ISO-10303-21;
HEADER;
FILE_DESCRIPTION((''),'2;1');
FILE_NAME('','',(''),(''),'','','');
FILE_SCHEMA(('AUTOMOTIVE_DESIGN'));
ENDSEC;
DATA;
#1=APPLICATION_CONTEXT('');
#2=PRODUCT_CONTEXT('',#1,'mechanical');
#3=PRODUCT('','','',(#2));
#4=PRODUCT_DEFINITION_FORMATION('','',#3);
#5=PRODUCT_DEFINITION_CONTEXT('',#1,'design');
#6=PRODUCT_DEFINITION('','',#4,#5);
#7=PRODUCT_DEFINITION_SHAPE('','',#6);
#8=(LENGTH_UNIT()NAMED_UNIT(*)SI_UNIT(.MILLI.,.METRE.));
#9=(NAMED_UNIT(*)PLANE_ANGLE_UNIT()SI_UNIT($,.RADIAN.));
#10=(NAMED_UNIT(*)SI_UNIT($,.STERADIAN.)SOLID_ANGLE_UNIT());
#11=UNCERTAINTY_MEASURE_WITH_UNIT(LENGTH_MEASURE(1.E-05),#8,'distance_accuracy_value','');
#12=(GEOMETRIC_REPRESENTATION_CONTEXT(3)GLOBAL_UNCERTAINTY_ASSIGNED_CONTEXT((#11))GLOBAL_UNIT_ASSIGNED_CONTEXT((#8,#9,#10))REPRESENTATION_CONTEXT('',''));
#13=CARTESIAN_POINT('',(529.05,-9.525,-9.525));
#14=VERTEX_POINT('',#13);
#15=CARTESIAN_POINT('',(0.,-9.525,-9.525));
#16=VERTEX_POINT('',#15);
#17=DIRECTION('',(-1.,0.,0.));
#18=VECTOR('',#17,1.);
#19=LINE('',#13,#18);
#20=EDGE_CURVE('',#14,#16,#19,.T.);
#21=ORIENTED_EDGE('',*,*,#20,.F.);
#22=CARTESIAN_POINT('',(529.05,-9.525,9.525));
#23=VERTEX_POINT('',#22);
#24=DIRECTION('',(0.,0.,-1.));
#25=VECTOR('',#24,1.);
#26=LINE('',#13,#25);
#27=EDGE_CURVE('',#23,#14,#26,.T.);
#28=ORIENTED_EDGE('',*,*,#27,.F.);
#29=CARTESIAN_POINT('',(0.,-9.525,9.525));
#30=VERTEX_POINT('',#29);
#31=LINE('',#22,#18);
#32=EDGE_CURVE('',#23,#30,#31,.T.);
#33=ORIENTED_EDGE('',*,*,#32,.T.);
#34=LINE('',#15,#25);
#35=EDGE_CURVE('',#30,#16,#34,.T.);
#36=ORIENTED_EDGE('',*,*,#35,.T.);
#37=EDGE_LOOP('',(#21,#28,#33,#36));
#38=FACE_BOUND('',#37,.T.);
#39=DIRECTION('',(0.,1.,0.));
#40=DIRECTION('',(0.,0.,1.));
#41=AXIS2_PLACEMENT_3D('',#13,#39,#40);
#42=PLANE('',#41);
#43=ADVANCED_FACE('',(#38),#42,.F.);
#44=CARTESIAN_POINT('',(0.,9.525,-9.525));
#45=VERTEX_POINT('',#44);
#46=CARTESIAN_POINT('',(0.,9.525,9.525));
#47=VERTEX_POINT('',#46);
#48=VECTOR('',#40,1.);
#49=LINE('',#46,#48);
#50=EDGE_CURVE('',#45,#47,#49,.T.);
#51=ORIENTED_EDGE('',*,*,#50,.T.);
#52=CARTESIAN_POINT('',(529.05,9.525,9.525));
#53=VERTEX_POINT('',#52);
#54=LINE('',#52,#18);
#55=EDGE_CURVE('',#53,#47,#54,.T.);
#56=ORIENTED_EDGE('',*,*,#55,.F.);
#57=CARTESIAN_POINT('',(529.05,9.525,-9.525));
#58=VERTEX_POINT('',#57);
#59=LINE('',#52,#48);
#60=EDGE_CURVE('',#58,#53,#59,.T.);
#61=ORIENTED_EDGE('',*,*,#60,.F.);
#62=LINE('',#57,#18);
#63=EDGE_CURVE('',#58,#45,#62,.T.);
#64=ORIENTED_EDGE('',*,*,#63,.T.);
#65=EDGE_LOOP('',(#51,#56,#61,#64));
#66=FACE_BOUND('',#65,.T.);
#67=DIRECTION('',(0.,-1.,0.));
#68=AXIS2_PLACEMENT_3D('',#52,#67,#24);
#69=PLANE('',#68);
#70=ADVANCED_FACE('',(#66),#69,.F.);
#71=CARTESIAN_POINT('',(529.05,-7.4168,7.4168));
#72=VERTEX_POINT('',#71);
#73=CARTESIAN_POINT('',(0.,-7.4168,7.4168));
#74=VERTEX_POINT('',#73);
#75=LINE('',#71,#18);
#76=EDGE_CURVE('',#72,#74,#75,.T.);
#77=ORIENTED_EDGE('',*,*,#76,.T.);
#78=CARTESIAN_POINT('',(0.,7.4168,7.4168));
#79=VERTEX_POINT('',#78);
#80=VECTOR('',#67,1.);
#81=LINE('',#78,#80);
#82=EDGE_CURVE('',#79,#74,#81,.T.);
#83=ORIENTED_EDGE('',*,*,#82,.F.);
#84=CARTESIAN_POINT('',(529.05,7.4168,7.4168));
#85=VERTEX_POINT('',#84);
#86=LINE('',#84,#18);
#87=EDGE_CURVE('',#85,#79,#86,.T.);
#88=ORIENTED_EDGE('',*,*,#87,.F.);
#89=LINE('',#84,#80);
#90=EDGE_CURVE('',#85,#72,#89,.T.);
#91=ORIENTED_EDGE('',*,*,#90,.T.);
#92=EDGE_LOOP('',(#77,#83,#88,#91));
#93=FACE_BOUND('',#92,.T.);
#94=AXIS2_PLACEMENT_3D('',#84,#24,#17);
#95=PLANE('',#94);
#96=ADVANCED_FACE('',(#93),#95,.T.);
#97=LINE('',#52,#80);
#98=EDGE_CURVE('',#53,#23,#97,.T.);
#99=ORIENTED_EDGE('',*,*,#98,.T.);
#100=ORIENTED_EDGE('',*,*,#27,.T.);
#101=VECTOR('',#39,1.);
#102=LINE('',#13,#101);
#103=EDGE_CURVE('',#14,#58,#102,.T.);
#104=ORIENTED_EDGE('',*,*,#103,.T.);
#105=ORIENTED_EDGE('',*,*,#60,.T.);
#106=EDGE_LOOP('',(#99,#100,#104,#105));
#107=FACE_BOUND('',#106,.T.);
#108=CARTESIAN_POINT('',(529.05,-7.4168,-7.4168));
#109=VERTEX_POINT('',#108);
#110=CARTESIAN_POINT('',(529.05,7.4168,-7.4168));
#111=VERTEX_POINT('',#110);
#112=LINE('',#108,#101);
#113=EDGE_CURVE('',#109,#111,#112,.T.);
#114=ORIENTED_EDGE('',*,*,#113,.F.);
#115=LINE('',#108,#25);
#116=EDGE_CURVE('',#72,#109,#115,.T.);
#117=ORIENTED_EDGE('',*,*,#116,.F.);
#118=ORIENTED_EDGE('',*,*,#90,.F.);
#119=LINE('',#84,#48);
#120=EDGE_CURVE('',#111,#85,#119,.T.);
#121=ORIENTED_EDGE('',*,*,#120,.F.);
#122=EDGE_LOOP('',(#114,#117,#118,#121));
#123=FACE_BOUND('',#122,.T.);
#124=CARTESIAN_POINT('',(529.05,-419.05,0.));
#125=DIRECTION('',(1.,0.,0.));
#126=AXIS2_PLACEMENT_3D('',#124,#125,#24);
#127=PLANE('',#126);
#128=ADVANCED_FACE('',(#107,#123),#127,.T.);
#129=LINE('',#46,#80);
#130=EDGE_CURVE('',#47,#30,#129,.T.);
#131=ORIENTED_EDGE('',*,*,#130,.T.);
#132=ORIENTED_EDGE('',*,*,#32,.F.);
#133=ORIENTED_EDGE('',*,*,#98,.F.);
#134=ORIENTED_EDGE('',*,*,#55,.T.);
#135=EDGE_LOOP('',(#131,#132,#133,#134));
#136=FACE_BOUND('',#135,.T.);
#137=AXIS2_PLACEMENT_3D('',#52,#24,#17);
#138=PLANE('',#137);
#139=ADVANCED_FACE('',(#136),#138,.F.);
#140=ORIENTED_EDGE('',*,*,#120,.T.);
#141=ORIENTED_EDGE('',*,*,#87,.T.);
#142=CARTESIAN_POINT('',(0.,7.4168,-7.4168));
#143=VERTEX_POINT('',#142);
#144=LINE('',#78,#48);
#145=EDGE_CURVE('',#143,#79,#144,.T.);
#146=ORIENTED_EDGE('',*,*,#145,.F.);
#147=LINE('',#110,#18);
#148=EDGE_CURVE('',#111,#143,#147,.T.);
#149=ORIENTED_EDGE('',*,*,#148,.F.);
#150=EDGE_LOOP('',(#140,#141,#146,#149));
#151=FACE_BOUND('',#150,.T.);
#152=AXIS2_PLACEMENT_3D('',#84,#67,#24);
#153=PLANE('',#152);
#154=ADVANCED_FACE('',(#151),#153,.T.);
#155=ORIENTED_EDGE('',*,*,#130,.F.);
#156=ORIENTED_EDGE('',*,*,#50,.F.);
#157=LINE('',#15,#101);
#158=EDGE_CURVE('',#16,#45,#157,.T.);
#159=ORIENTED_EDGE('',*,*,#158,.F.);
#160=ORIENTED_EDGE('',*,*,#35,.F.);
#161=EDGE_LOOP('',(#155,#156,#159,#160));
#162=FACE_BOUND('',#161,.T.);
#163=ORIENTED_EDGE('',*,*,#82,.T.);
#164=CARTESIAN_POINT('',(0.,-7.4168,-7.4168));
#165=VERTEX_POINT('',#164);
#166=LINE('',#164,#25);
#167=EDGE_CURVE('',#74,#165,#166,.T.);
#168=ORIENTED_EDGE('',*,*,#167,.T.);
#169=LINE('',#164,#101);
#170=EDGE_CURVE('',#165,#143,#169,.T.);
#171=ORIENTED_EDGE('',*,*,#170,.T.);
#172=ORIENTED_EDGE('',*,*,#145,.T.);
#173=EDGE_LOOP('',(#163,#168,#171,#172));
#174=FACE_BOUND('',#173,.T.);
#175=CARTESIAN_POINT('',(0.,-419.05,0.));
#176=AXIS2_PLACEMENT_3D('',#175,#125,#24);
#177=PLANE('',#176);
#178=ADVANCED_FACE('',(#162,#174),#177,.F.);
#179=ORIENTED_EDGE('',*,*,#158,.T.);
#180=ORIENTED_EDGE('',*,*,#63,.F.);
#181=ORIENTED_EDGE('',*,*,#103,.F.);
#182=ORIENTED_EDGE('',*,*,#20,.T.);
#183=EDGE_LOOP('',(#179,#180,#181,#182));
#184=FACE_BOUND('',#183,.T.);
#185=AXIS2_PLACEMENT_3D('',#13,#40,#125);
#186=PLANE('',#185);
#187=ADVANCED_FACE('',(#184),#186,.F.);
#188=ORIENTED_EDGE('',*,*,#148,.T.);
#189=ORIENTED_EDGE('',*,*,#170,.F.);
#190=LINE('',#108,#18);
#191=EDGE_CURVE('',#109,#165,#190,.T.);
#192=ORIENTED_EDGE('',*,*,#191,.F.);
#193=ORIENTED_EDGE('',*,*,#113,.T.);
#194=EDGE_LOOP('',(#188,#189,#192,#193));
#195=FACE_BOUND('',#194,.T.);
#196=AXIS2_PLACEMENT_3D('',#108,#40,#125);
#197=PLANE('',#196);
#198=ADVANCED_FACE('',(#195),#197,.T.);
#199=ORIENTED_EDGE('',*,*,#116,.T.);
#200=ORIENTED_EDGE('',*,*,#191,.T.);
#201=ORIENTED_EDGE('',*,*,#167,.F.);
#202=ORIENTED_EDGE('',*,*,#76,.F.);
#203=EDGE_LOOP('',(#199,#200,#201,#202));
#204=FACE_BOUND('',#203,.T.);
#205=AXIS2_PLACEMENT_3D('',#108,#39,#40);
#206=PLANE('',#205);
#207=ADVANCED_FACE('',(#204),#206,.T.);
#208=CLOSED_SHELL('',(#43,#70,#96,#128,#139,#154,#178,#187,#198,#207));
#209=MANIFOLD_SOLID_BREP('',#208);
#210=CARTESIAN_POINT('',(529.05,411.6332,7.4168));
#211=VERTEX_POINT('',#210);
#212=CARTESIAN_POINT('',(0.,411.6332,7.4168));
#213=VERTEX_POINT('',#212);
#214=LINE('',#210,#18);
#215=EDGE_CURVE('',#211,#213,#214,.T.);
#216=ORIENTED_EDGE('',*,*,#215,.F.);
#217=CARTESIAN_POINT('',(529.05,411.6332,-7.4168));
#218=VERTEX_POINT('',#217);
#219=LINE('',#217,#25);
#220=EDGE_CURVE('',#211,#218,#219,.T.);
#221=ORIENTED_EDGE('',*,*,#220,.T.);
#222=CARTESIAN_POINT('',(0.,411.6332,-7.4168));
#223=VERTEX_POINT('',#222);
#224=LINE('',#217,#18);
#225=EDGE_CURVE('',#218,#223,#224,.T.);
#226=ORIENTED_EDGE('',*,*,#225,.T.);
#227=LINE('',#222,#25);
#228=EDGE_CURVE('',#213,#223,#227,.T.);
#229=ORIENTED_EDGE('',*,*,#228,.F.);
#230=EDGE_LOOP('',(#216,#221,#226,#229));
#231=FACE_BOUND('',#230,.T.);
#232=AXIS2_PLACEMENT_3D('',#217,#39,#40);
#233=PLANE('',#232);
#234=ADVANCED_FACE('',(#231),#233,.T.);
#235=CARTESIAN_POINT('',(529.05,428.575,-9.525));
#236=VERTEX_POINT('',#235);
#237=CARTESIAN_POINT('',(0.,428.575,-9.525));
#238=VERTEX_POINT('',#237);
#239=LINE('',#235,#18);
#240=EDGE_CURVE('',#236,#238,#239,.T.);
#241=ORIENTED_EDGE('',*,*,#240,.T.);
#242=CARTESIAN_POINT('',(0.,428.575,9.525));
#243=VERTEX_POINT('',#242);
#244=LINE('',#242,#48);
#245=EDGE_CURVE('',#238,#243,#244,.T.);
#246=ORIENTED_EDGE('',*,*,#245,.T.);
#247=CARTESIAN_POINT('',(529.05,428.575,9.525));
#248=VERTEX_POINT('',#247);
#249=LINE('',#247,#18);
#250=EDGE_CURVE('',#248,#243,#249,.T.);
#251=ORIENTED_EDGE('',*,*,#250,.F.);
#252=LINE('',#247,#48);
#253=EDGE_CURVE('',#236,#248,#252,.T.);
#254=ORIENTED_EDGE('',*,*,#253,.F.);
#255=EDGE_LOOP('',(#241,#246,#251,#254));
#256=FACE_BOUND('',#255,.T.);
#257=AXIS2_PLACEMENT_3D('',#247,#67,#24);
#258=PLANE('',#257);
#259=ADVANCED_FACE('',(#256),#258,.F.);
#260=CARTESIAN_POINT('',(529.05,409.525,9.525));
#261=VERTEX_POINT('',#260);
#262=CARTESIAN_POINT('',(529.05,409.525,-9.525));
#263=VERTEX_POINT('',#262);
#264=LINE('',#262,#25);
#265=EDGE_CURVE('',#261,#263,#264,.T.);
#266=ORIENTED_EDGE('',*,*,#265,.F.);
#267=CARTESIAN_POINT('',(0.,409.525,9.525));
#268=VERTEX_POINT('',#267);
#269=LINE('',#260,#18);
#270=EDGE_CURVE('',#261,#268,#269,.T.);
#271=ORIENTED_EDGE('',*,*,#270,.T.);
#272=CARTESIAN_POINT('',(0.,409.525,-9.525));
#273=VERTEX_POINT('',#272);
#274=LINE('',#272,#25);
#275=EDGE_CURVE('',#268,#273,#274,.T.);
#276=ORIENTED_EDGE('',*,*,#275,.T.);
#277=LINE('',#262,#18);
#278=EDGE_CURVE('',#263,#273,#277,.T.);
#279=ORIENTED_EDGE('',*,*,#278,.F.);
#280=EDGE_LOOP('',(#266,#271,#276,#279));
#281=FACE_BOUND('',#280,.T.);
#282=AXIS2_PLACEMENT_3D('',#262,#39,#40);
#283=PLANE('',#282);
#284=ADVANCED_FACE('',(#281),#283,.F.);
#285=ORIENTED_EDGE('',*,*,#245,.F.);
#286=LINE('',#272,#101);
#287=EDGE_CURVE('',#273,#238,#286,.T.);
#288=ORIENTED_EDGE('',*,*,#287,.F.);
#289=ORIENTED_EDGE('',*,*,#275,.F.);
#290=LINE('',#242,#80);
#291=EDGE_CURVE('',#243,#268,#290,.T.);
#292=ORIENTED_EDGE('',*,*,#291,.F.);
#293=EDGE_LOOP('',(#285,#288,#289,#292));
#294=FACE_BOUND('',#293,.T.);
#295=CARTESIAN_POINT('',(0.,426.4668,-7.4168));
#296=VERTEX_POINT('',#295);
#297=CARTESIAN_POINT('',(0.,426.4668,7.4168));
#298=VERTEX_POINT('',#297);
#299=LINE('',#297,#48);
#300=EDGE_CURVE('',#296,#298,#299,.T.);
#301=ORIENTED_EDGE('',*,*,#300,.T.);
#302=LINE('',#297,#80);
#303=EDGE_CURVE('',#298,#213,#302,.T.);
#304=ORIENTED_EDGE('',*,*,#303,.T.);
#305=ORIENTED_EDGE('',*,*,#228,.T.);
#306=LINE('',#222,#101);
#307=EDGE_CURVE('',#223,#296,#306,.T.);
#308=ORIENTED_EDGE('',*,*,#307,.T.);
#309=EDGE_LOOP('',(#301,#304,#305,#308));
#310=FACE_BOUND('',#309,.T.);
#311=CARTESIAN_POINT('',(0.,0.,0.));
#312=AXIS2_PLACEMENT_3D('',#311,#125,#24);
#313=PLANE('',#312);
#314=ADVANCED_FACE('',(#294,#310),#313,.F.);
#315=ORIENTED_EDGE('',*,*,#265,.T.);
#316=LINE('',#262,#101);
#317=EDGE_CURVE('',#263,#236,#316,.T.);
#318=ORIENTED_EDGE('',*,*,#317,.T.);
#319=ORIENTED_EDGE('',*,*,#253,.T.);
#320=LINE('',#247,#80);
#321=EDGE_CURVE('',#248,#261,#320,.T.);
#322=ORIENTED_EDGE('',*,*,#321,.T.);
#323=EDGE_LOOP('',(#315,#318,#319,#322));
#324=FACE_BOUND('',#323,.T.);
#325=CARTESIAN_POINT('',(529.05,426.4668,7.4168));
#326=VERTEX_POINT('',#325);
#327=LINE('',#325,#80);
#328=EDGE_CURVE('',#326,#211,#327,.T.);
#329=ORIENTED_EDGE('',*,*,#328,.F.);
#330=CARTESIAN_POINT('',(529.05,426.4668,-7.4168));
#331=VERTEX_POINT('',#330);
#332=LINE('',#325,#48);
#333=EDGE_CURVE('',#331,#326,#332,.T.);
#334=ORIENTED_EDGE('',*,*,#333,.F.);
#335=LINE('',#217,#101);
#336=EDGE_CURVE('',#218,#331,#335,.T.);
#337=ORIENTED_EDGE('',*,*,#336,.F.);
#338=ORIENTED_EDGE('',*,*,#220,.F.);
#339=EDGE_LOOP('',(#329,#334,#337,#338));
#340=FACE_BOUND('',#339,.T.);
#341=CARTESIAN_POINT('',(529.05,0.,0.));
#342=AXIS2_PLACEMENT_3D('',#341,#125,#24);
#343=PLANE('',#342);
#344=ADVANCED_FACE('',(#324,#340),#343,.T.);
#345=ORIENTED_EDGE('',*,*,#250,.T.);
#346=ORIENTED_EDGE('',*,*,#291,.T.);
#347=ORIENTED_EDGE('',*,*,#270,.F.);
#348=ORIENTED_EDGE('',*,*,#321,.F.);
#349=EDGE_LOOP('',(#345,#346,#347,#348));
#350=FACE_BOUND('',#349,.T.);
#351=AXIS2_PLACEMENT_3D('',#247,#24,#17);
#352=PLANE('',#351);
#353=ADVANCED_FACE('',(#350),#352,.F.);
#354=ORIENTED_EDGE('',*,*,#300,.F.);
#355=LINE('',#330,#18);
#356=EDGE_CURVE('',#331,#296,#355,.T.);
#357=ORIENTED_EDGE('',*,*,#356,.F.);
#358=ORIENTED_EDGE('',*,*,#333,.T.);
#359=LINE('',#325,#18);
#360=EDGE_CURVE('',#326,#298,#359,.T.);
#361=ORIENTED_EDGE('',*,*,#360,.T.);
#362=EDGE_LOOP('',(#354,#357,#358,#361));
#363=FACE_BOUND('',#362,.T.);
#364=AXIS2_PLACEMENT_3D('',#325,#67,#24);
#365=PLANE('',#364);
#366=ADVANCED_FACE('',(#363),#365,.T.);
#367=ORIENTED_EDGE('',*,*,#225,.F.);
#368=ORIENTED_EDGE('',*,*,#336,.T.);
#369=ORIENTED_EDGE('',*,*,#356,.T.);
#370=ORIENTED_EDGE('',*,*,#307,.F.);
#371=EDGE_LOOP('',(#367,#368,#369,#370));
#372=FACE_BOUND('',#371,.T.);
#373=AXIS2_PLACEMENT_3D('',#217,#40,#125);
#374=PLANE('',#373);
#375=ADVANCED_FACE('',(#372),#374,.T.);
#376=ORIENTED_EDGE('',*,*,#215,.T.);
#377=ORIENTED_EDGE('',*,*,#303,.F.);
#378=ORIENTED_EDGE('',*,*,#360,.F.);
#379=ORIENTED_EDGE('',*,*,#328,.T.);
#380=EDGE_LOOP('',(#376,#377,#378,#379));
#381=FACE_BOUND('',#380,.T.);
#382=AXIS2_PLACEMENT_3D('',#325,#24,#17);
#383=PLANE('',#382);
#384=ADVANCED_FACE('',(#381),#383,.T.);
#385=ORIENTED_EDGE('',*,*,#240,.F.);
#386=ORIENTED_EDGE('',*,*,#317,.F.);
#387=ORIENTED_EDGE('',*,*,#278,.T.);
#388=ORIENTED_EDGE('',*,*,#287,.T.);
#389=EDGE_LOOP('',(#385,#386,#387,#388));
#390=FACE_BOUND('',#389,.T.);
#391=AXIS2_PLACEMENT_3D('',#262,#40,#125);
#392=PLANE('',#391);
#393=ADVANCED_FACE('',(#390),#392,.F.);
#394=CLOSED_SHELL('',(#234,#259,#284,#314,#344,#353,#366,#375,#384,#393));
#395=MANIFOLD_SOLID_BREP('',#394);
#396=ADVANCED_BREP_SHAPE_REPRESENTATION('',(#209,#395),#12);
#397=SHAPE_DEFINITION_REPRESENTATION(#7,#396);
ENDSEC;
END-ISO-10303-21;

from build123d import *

# Parameters (mm, degrees)
SKETCH11_W                                    = 19.05
SKETCH11_H                                    = 19.05
SKETCH11_W_2                                  = 14.8336
SKETCH11_H_2                                  = 14.8336
AL_TUBE_SQUARE_AL_TUBE_0_75_SQR_X_0_083_DEPTH = 529.05
SKETCH11_ON_SEGMENT_2_W                       = 19.05
SKETCH11_ON_SEGMENT_2_H                       = 19.05
SKETCH11_ON_SEGMENT_2_W_2                     = 14.8336
SKETCH11_ON_SEGMENT_2_H_2                     = 14.8336
AL_TUBE_SQUARE_AL_TUBE_0_75_SQR_X_0_2_DEPTH   = 529.05


with BuildPart() as part:
    # Sketch11 → Al tube square AL TUBE 0.75 SQR X 0.083 WALL(1) (new body)
    with BuildSketch(Plane(origin=(0, 419.05, 0), x_dir=(0, 1, 0), z_dir=(1, 0, 0))):
        Rectangle(SKETCH11_W, SKETCH11_H)
        Rectangle(SKETCH11_W_2, SKETCH11_H_2, mode=Mode.SUBTRACT)
    extrude(amount=AL_TUBE_SQUARE_AL_TUBE_0_75_SQR_X_0_083_DEPTH)


with BuildPart() as body_2:
    # Sketch11 on segment 2 (carried to segment 2) → Al tube square AL TUBE 0.75 SQR X 0. 2 (new body)
    with BuildSketch(Plane.YZ):
        Rectangle(SKETCH11_ON_SEGMENT_2_W, SKETCH11_ON_SEGMENT_2_H)
        Rectangle(SKETCH11_ON_SEGMENT_2_W_2, SKETCH11_ON_SEGMENT_2_H_2, mode=Mode.SUBTRACT)
    extrude(amount=AL_TUBE_SQUARE_AL_TUBE_0_75_SQR_X_0_2_DEPTH)


solid = Compound([part.part, body_2.part])
